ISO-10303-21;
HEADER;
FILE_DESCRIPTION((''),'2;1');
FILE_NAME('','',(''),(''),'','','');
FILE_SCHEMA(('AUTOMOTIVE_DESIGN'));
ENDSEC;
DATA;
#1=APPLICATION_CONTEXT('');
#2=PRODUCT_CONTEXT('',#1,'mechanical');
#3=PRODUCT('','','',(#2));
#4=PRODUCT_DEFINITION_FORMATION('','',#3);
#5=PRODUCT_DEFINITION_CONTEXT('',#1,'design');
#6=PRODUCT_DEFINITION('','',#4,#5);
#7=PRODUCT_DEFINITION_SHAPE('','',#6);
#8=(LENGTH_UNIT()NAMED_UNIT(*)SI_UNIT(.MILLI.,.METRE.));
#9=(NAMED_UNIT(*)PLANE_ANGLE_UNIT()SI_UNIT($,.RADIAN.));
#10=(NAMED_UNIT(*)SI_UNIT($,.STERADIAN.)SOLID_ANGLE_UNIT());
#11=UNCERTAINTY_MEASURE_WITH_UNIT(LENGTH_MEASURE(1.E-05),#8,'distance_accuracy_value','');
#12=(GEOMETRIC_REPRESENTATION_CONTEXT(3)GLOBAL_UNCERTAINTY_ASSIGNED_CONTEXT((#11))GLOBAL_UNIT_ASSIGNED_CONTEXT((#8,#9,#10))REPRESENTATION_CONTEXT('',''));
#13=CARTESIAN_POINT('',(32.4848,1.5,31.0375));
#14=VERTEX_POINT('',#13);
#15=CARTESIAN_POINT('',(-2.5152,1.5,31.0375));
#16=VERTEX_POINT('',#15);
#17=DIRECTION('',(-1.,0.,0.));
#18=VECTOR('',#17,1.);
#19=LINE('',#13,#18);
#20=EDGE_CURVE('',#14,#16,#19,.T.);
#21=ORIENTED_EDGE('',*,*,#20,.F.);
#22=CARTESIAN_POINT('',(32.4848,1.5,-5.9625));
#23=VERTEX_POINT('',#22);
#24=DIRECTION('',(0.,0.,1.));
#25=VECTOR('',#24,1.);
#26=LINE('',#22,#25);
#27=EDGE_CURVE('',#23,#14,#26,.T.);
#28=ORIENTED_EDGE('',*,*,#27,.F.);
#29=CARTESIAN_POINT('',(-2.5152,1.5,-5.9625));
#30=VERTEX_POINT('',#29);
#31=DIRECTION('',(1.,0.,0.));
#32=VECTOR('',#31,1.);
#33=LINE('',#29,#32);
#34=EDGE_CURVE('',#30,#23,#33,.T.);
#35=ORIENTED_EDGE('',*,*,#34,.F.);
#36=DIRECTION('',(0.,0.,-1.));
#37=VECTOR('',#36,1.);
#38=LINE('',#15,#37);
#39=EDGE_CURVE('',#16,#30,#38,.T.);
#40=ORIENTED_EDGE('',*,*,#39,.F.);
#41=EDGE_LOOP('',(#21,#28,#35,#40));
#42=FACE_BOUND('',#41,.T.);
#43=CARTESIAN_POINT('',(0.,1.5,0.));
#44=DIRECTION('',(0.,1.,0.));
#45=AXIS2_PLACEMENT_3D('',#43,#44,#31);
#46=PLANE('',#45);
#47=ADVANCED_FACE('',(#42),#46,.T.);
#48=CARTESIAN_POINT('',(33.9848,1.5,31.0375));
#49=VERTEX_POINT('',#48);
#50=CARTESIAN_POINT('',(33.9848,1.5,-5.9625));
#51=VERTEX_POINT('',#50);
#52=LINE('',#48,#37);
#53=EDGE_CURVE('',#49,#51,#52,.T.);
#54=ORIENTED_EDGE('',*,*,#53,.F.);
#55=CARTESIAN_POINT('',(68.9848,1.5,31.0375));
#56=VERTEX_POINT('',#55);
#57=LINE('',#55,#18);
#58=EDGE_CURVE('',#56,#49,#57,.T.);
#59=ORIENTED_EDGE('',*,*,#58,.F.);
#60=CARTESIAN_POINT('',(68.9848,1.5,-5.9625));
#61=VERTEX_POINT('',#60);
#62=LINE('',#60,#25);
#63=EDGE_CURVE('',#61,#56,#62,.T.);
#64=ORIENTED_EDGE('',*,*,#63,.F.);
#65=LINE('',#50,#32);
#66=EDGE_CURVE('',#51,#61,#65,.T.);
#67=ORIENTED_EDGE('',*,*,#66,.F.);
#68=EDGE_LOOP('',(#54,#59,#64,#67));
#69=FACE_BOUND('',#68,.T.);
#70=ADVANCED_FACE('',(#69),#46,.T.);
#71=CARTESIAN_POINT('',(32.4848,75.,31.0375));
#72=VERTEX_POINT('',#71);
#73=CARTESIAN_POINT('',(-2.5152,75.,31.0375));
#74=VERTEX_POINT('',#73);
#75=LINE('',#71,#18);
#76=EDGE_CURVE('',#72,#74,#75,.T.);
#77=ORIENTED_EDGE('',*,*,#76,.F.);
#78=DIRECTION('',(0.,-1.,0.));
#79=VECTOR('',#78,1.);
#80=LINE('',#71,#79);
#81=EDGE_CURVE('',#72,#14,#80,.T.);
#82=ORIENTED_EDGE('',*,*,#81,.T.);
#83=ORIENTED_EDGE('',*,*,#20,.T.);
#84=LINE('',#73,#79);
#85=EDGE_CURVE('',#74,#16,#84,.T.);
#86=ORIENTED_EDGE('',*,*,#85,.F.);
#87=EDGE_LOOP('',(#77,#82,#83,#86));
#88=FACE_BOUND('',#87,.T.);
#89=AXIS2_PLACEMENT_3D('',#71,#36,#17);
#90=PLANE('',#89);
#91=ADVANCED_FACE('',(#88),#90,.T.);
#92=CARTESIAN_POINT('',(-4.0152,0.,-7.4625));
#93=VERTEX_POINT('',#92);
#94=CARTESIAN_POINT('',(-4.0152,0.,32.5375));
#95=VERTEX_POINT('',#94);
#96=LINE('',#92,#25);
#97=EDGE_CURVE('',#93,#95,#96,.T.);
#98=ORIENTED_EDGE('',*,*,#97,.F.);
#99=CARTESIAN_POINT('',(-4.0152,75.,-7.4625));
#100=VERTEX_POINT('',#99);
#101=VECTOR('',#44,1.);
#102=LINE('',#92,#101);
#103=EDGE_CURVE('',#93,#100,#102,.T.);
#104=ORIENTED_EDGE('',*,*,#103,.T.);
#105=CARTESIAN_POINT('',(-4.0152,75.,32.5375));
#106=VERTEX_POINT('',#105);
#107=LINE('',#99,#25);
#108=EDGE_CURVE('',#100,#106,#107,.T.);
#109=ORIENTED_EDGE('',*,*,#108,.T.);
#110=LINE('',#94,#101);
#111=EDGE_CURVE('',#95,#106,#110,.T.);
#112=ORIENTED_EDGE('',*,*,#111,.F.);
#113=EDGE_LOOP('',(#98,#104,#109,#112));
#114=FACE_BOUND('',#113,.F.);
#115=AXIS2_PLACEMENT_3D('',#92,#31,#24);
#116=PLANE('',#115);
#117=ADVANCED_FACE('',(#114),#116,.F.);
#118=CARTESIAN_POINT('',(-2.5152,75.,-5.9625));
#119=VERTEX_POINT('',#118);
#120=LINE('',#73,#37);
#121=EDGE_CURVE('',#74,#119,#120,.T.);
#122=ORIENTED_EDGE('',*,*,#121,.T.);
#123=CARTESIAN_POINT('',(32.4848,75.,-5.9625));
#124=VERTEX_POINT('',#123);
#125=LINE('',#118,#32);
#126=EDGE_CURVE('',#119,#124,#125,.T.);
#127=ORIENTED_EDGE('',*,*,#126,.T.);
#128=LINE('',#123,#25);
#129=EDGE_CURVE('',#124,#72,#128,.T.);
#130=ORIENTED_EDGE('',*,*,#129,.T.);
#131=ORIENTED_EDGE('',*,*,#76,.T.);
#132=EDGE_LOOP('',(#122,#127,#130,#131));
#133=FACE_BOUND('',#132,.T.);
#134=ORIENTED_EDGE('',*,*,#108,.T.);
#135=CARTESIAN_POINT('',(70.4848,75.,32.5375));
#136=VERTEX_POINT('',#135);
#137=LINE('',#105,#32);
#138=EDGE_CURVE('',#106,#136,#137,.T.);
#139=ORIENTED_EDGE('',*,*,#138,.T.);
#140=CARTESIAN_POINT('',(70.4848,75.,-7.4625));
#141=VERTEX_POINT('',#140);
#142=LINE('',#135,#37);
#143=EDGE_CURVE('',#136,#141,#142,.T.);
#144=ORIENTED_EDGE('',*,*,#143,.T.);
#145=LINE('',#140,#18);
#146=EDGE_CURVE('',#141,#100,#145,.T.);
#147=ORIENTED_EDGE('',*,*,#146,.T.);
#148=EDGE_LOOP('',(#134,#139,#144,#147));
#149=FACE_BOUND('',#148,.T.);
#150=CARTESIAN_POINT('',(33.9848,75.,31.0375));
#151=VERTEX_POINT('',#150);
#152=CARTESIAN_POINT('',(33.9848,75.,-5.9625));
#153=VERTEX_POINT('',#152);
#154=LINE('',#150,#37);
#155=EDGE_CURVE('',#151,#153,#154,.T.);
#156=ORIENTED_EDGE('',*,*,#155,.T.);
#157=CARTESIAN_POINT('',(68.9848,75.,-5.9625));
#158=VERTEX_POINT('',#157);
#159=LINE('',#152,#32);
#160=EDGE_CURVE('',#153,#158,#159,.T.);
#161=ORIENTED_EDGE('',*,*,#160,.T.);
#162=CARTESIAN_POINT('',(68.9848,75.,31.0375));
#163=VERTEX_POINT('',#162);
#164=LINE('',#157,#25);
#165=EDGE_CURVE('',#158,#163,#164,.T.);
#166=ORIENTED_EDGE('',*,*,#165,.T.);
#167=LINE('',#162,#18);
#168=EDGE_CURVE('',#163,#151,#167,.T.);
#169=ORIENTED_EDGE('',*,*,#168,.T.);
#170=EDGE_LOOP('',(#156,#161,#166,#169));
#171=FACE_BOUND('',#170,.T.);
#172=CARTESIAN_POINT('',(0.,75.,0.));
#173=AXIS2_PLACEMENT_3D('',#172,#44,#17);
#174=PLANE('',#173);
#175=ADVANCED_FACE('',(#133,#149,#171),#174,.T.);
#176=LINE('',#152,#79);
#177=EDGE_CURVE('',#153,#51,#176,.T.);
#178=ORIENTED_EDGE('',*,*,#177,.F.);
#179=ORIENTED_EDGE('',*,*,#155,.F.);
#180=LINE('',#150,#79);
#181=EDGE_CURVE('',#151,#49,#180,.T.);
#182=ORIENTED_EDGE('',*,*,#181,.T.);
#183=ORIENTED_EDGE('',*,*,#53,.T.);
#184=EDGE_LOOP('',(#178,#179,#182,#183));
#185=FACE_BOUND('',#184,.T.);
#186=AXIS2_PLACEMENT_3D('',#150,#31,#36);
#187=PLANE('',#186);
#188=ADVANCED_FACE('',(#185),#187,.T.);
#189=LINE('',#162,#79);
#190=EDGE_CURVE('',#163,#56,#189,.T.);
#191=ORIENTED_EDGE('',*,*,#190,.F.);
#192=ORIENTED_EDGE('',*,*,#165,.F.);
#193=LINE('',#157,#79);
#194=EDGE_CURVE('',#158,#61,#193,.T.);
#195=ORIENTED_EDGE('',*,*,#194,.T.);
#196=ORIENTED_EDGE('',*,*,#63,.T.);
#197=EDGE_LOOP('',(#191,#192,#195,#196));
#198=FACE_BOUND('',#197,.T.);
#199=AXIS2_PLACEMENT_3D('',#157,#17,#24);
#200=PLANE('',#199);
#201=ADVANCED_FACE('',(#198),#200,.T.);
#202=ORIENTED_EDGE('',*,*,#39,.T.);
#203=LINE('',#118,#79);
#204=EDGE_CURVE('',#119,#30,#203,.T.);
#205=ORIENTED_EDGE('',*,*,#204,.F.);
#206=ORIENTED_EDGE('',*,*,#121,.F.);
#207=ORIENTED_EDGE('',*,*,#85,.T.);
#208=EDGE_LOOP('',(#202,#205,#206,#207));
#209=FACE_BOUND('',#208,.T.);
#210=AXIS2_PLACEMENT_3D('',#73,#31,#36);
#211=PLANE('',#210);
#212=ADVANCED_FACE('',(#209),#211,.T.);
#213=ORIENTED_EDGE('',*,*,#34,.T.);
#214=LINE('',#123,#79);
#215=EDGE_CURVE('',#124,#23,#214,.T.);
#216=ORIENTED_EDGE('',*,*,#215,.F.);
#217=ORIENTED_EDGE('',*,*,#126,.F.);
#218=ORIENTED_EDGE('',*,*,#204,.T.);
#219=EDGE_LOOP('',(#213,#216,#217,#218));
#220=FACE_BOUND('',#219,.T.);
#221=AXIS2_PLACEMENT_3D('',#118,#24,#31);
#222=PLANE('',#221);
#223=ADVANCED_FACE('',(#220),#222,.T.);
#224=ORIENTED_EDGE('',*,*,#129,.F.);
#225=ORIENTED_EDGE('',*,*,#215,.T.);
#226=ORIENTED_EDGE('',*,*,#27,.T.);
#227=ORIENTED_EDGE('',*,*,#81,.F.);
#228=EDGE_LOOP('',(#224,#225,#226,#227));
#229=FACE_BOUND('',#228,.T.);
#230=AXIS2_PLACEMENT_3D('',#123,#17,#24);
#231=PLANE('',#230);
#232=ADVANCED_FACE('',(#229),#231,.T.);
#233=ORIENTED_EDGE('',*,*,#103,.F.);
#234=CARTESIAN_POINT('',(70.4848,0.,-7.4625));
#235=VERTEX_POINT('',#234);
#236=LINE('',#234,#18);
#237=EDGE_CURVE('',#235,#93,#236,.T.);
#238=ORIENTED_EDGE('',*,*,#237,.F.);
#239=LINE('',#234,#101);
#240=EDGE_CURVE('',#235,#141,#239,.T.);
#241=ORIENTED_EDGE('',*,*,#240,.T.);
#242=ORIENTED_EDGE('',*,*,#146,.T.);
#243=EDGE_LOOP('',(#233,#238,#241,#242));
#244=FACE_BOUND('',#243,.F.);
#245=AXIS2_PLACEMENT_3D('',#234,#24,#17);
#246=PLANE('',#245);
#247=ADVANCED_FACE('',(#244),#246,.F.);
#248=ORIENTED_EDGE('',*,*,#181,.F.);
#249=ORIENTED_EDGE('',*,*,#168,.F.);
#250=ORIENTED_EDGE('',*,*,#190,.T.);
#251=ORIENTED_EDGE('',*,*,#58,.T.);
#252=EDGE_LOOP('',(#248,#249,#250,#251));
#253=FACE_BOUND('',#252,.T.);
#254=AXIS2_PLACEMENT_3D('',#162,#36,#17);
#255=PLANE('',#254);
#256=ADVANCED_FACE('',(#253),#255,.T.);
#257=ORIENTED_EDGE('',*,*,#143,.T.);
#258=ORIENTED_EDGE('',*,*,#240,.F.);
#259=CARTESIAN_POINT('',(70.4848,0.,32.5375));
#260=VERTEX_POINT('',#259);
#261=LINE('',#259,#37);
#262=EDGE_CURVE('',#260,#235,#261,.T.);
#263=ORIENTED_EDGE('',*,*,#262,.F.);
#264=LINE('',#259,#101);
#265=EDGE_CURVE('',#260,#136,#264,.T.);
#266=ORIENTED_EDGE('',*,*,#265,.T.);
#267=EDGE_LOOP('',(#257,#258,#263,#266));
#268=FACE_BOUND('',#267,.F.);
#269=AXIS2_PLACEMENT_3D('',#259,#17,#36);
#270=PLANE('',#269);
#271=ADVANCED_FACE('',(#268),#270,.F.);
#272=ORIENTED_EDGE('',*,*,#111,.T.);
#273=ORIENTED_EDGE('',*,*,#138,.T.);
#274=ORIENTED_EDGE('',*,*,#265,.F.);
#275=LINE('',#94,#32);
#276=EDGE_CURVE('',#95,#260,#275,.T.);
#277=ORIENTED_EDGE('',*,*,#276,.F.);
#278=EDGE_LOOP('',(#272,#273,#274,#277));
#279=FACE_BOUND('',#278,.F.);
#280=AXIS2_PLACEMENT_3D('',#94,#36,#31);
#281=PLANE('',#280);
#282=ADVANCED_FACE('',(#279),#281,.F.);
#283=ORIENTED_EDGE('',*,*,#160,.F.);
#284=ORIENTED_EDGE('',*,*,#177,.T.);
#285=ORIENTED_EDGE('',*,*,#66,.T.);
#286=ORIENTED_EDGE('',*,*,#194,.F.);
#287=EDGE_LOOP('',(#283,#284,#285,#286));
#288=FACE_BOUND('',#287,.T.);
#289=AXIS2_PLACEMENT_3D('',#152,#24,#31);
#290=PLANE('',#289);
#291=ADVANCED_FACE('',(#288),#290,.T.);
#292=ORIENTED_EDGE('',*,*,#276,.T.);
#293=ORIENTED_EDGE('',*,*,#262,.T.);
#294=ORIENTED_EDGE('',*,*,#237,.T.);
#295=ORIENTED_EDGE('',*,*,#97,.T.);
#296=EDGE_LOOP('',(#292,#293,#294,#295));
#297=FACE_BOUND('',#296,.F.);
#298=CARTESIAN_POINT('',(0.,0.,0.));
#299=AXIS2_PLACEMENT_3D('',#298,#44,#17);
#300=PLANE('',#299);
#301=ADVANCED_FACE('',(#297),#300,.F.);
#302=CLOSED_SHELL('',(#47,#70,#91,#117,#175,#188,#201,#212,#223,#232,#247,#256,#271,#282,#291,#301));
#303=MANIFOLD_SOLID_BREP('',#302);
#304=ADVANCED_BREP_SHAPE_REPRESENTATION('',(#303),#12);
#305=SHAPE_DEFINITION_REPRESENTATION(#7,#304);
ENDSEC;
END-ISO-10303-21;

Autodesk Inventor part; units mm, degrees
ref_plane "YZ Plane" through (0, 0, 0) normal (1, 0, 0) x (0, 1, 0)
ref_plane "XZ Plane" through (0, 0, 0) normal (0, 1, 0) x (-1, 0, 0)
ref_plane "XY Plane" through (0, 0, 0) normal (0, 0, 1) x (1, 0, 0)
sketch "Sketch1" plane through (0, 0, 0) normal (0, 1, 0) x (-1, 0, 0)
  line L0 (4.0152, 32.5375) -> (-70.4848, 32.5375)
  line L1 (-70.4848, 32.5375) -> (-70.4848, -7.4625)
  line L2 (-70.4848, -7.4625) -> (4.0152, -7.4625)
  line L3 (4.0152, -7.4625) -> (4.0152, 32.5375)
  point P0 (0, 0)
  dimension "d0" = 74.5
  dimension "d1" = 40
extrude "Extrusion1" add sketch "Sketch1" along normal blind 75
sketch "Sketch3" plane through (0, 75, 0) normal (0, 1, 0) x (1, 0, 0)
  line L0 (-2.5152, 5.9625) -> (32.4848, 5.9625)
  line L1 (32.4848, 5.9625) -> (32.4848, -31.0375)
  line L2 (32.4848, -31.0375) -> (-2.5152, -31.0375)
  line L3 (-2.5152, -31.0375) -> (-2.5152, 5.9625)
  line L4 (33.9848, 5.9625) -> (68.9848, 5.9625)
  line L5 (68.9848, 5.9625) -> (68.9848, -31.0375)
  line L6 (68.9848, -31.0375) -> (33.9848, -31.0375)
  line L7 (33.9848, -31.0375) -> (33.9848, 5.9625)
  line L8 (70.4848, 7.4625) -> (-4.0152, 7.4625) projected
  line L9 (70.4848, -32.5375) -> (70.4848, 7.4625) projected
  line L10 (-4.0152, -32.5375) -> (70.4848, -32.5375) projected
  line L11 (-4.0152, 7.4625) -> (-4.0152, -32.5375) projected
  point P0 (0, 0)
  dimension "d10" = 1.5
  dimension "d11" = 1.5
  dimension "d12" = 1.5
  dimension "d13" = 1.5
  dimension "d14" = 1.5
  dimension "d15" = 35
  dimension "d16" = 35
extrude "Extrusion3" cut sketch "Sketch3" against normal blind 73.5 contours L4 L5 L6 L7
extrude "Extrusion4" cut sketch "Sketch3" against normal blind 73.5 contours L0 L1 L2 L3
equation "\"d11\" = d10"
equation "\"d12\" = d10"
equation "\"d14\" = d10"
equation "\"d15\" = d16"
properties part number "_3DPrint"
